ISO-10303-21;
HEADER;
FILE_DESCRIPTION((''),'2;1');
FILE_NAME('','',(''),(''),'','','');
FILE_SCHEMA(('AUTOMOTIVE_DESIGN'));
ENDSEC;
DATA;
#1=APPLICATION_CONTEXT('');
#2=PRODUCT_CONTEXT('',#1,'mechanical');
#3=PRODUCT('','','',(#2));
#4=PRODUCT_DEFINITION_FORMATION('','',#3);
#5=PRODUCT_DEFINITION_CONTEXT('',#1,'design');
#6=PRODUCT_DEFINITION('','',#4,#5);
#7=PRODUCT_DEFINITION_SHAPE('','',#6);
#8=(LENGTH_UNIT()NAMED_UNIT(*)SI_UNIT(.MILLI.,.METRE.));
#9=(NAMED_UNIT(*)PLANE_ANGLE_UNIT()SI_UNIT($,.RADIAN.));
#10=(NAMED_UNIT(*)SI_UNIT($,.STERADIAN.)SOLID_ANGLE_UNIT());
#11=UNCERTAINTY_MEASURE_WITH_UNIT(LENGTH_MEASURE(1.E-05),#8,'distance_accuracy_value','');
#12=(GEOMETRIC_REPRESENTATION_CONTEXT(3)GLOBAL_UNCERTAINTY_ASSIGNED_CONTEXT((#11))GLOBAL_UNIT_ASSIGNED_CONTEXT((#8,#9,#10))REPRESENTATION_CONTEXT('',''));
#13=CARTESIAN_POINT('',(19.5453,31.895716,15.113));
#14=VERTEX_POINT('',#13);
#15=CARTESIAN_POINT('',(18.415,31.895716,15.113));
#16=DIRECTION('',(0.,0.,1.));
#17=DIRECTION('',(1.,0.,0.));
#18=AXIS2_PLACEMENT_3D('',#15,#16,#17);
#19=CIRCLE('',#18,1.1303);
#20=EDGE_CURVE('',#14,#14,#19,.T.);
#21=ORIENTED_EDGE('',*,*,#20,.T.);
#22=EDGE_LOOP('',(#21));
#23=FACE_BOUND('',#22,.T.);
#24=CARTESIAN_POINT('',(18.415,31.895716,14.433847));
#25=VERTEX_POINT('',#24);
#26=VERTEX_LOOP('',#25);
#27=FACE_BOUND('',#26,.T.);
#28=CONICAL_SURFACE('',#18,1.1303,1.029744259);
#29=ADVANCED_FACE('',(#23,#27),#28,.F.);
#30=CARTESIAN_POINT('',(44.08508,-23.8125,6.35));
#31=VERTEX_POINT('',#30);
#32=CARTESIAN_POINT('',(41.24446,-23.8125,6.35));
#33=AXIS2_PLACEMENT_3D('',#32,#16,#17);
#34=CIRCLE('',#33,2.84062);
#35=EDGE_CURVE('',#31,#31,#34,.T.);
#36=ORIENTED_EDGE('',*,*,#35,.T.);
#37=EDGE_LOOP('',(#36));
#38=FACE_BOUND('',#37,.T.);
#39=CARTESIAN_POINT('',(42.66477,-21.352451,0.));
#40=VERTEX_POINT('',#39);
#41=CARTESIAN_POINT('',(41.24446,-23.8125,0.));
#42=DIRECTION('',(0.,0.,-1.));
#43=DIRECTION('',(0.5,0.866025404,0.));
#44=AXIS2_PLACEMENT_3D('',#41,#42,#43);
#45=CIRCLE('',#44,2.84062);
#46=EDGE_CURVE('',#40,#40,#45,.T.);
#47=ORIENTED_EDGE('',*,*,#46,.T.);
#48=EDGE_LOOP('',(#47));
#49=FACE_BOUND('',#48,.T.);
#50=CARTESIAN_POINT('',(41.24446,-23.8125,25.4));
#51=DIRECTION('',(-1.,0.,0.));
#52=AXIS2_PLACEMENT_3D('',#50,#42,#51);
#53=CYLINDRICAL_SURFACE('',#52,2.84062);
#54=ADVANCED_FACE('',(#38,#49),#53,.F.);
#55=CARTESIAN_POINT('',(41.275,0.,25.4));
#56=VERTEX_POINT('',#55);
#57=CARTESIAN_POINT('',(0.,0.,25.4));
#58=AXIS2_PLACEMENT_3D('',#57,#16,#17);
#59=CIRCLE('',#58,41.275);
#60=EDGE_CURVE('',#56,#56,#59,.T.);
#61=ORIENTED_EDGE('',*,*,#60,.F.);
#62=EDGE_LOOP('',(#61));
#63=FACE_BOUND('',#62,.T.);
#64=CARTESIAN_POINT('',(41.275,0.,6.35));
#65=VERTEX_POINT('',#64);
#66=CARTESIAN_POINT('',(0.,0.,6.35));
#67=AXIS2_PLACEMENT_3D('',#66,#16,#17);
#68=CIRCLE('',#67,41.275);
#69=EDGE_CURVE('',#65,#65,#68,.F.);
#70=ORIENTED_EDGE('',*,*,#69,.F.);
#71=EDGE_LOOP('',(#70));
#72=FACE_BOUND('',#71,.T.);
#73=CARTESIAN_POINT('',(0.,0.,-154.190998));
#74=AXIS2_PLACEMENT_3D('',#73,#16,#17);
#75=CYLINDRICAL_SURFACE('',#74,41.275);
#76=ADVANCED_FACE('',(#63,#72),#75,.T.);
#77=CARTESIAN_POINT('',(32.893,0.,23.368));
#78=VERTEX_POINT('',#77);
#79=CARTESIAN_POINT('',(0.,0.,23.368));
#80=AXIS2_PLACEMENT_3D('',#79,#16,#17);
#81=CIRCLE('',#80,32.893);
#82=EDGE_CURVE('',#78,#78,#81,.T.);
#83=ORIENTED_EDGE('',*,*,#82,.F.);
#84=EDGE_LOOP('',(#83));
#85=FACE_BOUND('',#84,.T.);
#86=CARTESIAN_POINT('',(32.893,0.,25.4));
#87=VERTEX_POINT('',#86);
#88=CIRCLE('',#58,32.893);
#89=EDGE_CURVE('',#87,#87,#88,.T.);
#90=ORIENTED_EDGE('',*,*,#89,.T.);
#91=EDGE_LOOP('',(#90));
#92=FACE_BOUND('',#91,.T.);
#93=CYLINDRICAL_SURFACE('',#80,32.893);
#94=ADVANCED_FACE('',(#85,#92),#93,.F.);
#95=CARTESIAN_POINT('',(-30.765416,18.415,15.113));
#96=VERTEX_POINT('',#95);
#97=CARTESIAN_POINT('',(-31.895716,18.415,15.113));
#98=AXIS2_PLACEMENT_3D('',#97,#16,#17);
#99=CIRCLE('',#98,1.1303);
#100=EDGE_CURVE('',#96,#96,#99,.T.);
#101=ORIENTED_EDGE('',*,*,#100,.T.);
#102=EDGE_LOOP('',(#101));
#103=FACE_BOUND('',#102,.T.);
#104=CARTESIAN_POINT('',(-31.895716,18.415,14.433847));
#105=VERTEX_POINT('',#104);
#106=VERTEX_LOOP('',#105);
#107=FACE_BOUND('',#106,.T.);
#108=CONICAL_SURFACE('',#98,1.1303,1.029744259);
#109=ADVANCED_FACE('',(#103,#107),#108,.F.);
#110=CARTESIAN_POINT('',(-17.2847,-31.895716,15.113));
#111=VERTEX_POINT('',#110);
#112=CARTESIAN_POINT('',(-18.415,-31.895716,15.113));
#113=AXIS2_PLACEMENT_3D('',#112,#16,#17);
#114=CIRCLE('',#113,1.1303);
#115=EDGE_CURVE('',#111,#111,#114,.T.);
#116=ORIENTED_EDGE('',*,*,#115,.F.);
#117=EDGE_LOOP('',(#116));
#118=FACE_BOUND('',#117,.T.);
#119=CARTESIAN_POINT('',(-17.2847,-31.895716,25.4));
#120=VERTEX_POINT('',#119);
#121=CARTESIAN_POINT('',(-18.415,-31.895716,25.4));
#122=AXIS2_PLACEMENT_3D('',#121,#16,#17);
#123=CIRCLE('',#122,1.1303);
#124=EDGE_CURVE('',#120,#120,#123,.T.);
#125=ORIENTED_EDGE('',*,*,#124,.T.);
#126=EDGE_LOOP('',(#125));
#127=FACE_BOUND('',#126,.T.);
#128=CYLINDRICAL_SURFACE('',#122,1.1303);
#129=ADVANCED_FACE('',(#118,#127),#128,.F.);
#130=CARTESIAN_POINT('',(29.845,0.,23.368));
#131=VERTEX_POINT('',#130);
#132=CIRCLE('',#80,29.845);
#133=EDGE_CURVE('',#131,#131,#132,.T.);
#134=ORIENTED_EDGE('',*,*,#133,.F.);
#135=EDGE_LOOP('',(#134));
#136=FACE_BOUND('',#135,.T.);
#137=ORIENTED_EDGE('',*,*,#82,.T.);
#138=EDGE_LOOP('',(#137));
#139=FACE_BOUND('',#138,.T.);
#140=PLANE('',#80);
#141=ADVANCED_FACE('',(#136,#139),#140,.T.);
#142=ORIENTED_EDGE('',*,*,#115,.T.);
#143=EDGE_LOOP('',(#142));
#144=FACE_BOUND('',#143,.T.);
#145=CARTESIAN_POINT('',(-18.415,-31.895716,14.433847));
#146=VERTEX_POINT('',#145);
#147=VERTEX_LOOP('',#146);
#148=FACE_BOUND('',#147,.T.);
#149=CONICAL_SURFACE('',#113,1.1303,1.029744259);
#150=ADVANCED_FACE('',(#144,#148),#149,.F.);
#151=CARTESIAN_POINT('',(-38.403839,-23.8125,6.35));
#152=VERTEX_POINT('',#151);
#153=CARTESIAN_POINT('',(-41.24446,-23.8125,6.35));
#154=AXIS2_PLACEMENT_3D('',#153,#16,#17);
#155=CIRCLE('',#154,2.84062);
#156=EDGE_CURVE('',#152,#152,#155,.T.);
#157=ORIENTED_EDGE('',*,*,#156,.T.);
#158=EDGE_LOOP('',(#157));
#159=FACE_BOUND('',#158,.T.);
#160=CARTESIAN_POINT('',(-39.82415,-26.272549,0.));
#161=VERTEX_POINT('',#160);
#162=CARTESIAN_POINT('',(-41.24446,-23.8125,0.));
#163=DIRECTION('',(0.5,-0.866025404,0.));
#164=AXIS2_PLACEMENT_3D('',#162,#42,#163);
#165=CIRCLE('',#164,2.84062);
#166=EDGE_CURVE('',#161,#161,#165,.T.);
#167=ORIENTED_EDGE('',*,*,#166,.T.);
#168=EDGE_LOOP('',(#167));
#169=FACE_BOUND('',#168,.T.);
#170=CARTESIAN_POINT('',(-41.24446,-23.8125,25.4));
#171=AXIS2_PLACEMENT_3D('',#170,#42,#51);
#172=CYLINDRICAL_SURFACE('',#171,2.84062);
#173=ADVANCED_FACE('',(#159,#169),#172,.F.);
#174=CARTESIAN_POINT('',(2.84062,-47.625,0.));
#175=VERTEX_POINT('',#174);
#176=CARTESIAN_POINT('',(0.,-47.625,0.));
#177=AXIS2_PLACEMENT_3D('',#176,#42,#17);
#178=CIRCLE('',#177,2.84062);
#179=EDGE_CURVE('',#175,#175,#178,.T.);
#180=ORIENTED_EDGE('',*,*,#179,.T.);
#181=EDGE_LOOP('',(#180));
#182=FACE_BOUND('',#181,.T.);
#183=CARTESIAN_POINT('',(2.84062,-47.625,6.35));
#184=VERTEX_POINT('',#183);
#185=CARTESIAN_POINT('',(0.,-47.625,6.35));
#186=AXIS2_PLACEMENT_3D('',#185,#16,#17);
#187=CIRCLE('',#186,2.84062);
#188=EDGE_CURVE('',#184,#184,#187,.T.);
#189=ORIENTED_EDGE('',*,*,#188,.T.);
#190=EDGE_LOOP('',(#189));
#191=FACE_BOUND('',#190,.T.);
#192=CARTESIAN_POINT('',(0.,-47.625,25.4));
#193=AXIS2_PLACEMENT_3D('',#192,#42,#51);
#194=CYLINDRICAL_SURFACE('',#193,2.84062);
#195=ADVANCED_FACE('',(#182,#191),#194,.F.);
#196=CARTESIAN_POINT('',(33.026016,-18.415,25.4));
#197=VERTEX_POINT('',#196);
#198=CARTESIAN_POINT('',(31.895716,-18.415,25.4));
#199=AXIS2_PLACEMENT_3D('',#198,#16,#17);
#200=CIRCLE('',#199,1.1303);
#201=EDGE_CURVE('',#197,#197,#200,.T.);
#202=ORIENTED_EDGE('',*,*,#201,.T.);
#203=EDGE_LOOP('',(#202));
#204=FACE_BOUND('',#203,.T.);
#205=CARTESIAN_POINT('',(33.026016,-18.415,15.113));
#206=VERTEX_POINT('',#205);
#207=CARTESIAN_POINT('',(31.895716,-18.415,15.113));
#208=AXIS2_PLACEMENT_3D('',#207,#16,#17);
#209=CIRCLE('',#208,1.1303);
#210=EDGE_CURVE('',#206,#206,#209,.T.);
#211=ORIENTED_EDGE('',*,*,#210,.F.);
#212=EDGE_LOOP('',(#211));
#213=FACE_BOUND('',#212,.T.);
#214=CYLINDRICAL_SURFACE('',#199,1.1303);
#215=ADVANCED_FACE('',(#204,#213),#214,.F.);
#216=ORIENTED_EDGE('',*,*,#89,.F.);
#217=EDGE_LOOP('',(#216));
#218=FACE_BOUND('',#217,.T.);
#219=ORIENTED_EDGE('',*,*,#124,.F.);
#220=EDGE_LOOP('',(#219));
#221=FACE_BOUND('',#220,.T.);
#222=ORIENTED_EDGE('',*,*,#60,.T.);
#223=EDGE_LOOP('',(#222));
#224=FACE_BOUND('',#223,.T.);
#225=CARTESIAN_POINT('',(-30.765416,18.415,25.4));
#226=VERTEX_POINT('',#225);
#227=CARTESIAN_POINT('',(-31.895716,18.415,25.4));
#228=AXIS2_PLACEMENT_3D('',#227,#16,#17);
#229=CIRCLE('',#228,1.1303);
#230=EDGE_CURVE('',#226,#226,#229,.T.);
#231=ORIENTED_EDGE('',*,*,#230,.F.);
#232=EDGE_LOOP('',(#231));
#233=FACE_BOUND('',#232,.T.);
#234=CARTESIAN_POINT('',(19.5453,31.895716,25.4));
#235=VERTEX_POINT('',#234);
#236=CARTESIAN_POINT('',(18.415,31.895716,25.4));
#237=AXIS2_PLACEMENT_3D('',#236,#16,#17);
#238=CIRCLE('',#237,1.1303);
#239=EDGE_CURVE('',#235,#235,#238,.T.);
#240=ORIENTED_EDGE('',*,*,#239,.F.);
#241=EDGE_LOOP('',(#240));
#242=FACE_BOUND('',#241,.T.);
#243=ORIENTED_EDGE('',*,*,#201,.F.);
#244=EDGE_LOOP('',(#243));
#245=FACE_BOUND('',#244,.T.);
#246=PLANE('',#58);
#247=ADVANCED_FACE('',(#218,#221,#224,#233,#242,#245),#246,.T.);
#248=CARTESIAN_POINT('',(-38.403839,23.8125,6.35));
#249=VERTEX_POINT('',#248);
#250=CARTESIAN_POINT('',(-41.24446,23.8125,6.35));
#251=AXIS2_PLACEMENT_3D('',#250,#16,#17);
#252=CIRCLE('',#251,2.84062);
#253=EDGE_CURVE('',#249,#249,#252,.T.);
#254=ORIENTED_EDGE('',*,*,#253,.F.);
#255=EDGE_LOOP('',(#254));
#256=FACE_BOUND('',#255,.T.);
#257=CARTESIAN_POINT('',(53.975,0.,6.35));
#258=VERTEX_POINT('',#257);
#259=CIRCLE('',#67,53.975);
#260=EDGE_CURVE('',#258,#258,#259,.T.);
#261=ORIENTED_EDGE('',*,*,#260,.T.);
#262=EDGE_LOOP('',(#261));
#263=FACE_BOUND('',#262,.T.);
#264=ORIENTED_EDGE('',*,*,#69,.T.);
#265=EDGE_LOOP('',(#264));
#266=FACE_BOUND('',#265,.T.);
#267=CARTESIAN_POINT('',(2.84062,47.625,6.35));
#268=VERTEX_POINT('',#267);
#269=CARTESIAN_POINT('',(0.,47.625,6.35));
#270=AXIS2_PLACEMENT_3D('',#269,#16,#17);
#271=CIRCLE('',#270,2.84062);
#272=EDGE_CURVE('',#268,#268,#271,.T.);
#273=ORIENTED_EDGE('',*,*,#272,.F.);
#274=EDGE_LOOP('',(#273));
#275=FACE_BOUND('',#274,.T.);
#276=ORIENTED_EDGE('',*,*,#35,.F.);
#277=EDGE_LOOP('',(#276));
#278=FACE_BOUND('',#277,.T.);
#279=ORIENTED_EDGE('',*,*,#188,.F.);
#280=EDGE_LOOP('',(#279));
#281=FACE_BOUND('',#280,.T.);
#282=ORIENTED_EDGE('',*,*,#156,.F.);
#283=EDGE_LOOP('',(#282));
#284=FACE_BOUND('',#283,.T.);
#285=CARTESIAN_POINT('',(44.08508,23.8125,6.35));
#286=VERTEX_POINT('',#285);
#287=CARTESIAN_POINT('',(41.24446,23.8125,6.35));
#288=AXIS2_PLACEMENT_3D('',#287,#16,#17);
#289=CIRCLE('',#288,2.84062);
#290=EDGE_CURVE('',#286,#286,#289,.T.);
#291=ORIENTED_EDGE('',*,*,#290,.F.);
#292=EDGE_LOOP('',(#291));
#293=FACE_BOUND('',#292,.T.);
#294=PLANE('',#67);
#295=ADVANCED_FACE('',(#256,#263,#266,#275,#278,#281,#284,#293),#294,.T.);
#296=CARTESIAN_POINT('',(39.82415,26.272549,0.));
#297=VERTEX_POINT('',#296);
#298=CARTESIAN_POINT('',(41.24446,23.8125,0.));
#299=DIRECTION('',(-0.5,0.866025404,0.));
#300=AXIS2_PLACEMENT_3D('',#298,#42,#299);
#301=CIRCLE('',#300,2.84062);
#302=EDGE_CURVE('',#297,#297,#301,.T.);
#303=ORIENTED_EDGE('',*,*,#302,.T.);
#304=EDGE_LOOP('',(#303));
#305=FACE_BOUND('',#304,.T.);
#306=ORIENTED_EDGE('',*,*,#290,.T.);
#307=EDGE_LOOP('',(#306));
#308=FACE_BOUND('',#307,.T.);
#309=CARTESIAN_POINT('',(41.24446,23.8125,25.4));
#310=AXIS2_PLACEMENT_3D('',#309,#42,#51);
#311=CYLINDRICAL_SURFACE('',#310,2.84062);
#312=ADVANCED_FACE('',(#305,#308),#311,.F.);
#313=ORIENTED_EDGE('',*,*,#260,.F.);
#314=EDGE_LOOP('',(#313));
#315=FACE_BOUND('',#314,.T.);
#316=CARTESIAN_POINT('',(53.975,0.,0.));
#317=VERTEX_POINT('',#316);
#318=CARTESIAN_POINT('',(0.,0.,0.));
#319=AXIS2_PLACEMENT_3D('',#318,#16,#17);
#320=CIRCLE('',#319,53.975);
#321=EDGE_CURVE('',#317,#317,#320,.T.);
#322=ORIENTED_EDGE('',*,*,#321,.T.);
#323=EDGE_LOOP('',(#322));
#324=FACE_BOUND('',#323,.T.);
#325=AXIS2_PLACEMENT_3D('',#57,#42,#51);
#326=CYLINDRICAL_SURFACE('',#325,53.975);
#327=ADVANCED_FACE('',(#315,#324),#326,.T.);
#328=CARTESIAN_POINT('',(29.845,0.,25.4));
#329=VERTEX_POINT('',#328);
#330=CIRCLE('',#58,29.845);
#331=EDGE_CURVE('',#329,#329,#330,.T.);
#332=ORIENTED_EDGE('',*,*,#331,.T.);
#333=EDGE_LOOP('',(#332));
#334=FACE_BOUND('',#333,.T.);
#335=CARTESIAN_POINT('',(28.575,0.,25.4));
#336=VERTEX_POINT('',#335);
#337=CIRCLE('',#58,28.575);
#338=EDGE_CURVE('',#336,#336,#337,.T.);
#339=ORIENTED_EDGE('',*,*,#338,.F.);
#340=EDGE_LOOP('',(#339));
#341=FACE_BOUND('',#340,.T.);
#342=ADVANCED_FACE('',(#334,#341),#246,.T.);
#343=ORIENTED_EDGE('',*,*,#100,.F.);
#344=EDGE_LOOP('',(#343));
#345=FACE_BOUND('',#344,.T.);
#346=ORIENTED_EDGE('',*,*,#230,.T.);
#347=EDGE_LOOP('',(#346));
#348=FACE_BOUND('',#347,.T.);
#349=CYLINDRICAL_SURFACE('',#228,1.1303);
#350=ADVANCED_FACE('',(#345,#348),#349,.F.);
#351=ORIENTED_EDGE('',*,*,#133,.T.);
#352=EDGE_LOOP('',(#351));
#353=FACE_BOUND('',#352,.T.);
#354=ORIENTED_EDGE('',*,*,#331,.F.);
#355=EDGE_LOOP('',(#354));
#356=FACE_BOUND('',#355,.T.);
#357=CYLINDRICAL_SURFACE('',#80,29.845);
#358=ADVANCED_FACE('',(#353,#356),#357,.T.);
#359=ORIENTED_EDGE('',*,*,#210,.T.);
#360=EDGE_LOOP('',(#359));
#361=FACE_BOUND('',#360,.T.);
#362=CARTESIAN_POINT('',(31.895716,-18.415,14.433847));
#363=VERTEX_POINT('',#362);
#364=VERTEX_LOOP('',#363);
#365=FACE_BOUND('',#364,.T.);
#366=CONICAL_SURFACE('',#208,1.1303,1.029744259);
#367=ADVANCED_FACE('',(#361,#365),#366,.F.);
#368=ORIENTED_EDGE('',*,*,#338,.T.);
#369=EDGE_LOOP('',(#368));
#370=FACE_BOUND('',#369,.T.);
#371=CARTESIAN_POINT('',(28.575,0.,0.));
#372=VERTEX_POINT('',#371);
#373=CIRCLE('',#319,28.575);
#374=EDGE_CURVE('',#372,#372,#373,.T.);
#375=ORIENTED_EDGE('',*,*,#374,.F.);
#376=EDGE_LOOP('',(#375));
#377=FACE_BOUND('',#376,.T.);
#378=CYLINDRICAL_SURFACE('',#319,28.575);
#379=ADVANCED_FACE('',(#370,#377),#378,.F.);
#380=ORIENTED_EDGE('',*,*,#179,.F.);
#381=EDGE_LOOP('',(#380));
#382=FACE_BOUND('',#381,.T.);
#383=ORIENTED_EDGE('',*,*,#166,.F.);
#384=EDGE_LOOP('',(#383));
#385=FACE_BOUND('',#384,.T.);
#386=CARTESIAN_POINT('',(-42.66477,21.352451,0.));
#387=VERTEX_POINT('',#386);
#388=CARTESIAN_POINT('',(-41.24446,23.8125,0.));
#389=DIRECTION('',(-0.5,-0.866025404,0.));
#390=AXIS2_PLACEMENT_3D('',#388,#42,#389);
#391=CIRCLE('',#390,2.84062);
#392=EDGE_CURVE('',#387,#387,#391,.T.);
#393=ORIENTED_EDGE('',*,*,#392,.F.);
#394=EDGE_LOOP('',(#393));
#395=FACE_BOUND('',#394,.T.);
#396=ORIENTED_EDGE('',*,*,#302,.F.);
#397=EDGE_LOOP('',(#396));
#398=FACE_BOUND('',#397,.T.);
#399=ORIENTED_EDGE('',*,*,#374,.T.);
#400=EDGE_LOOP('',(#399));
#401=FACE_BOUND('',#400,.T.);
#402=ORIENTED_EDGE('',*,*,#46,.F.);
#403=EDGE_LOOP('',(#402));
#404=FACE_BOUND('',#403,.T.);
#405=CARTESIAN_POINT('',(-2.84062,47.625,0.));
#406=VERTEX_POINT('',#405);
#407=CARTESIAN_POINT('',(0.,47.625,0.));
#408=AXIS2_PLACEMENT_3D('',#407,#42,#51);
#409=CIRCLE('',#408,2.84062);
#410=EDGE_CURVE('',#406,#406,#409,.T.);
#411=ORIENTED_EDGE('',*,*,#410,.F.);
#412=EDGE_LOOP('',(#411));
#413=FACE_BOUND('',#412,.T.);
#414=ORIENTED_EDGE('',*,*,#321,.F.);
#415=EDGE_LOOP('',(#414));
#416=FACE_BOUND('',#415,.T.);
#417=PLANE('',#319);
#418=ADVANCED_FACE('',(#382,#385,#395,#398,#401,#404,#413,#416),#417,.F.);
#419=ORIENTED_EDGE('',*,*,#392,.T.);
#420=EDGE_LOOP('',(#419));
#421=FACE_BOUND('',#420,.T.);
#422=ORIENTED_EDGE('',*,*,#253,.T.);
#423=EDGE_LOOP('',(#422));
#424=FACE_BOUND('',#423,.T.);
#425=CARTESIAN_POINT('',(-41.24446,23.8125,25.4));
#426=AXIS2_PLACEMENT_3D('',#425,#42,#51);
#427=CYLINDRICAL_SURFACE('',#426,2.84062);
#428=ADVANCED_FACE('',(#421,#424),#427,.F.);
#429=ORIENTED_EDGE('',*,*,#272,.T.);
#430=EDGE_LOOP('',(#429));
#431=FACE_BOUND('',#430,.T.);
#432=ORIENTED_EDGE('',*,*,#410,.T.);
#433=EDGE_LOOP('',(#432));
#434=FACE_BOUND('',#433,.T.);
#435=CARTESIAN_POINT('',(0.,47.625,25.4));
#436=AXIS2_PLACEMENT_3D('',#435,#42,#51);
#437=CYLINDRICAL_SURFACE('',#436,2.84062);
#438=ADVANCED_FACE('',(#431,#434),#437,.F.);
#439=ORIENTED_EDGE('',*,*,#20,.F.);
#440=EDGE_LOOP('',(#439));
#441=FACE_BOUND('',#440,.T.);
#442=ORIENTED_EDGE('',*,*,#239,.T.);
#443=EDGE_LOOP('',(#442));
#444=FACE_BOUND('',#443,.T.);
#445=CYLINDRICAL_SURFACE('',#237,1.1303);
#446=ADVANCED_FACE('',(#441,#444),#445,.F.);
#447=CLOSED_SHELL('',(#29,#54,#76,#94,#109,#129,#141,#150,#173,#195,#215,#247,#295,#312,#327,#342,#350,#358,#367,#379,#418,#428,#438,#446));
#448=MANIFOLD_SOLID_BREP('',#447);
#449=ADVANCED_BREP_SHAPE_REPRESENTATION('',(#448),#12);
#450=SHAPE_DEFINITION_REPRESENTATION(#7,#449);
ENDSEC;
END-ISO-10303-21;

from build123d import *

# Parameters (mm, degrees)
SKETCH1_R           = 53.975
BOSS_EXTRUDE1_DEPTH = 25.4
SKETCH2_OUTSIDE_W   = 140.902
SKETCH2_OUTSIDE_H   = 140.902
SKETCH2_OUTSIDE_R   = 41.275
CUT_EXTRUDE1_DEPTH  = 19.05
SKETCH3_R           = 28.575
CUT_EXTRUDE2_DEPTH  = 26.4
SKETCH6_R           = 32.893
SKETCH6_R_2         = 29.845
CUT_EXTRUDE3_DEPTH  = 2.032
CIRPATTERN2_COUNT   = 4
SKETCH9_R           = 2.840620424
CUT_EXTRUDE4_DEPTH  = 26.4
CIRPATTERN4_COUNT   = 6


with BuildPart() as part:
    # Sketch1 → Boss-Extrude1 (new body)
    with BuildSketch(Plane.XY):
        Circle(SKETCH1_R)
    extrude(amount=BOSS_EXTRUDE1_DEPTH)

    # Sketch2 outside → Cut-Extrude1 (cut)
    with BuildSketch(Plane.XY.offset(25.4)):
        Rectangle(SKETCH2_OUTSIDE_W, SKETCH2_OUTSIDE_H)
        Circle(SKETCH2_OUTSIDE_R, mode=Mode.SUBTRACT)
    extrude(amount=-CUT_EXTRUDE1_DEPTH, mode=Mode.SUBTRACT)

    # Sketch3 → Cut-Extrude2 (cut, through all)
    with BuildSketch(Plane.XY.offset(25.4)):
        Circle(SKETCH3_R)
    extrude(amount=-CUT_EXTRUDE2_DEPTH, mode=Mode.SUBTRACT)

    # Sketch6 → Cut-Extrude3 (cut)
    with BuildSketch(Plane.XY.offset(25.4)):
        Circle(SKETCH6_R)
        Circle(SKETCH6_R_2, mode=Mode.SUBTRACT)
    extrude(amount=-CUT_EXTRUDE3_DEPTH, mode=Mode.SUBTRACT)

    # Sketch8 → #4-40 Tapped Hole1 (revolve, cut)
    with BuildSketch(Plane(origin=(18.415, 31.895715621, 25.4), x_dir=(0, -1, 0), z_dir=(1, 0, 0))):
        Polygon((0, 0), (0, 10.966152758), (1.1303, 10.287), (1.1303, 0), align=None)
    f_4_40_tapped_hole1 = revolve(axis=Axis((18.415, 31.895715621, 31.75), (0, 0, -1)), mode=Mode.SUBTRACT)

    # CirPattern2: #4-40 Tapped Hole1 ×4 about axis
    cirpattern2_axis = Axis((0, 0, 0), (0, 0, 1))
    for i in range(1, CIRPATTERN2_COUNT):
        add(f_4_40_tapped_hole1.rotate(cirpattern2_axis, i * 360 / CIRPATTERN2_COUNT), mode=Mode.SUBTRACT)

    # Sketch9 → Cut-Extrude4 (cut, through all)
    with BuildSketch(Plane(origin=(0, 0, 0), x_dir=(-1, 0, 0), z_dir=(0, 0, -1))):
        with Locations((0, 47.625)):
            Circle(SKETCH9_R)
    cut_extrude4 = extrude(amount=-CUT_EXTRUDE4_DEPTH, mode=Mode.SUBTRACT)

    # CirPattern4: Cut-Extrude4 ×6 about axis
    cirpattern4_axis = Axis((0, 0, 0), (0, 0, 1))
    for i in range(1, CIRPATTERN4_COUNT):
        add(cut_extrude4.rotate(cirpattern4_axis, i * 360 / CIRPATTERN4_COUNT), mode=Mode.SUBTRACT)


solid = part.part
